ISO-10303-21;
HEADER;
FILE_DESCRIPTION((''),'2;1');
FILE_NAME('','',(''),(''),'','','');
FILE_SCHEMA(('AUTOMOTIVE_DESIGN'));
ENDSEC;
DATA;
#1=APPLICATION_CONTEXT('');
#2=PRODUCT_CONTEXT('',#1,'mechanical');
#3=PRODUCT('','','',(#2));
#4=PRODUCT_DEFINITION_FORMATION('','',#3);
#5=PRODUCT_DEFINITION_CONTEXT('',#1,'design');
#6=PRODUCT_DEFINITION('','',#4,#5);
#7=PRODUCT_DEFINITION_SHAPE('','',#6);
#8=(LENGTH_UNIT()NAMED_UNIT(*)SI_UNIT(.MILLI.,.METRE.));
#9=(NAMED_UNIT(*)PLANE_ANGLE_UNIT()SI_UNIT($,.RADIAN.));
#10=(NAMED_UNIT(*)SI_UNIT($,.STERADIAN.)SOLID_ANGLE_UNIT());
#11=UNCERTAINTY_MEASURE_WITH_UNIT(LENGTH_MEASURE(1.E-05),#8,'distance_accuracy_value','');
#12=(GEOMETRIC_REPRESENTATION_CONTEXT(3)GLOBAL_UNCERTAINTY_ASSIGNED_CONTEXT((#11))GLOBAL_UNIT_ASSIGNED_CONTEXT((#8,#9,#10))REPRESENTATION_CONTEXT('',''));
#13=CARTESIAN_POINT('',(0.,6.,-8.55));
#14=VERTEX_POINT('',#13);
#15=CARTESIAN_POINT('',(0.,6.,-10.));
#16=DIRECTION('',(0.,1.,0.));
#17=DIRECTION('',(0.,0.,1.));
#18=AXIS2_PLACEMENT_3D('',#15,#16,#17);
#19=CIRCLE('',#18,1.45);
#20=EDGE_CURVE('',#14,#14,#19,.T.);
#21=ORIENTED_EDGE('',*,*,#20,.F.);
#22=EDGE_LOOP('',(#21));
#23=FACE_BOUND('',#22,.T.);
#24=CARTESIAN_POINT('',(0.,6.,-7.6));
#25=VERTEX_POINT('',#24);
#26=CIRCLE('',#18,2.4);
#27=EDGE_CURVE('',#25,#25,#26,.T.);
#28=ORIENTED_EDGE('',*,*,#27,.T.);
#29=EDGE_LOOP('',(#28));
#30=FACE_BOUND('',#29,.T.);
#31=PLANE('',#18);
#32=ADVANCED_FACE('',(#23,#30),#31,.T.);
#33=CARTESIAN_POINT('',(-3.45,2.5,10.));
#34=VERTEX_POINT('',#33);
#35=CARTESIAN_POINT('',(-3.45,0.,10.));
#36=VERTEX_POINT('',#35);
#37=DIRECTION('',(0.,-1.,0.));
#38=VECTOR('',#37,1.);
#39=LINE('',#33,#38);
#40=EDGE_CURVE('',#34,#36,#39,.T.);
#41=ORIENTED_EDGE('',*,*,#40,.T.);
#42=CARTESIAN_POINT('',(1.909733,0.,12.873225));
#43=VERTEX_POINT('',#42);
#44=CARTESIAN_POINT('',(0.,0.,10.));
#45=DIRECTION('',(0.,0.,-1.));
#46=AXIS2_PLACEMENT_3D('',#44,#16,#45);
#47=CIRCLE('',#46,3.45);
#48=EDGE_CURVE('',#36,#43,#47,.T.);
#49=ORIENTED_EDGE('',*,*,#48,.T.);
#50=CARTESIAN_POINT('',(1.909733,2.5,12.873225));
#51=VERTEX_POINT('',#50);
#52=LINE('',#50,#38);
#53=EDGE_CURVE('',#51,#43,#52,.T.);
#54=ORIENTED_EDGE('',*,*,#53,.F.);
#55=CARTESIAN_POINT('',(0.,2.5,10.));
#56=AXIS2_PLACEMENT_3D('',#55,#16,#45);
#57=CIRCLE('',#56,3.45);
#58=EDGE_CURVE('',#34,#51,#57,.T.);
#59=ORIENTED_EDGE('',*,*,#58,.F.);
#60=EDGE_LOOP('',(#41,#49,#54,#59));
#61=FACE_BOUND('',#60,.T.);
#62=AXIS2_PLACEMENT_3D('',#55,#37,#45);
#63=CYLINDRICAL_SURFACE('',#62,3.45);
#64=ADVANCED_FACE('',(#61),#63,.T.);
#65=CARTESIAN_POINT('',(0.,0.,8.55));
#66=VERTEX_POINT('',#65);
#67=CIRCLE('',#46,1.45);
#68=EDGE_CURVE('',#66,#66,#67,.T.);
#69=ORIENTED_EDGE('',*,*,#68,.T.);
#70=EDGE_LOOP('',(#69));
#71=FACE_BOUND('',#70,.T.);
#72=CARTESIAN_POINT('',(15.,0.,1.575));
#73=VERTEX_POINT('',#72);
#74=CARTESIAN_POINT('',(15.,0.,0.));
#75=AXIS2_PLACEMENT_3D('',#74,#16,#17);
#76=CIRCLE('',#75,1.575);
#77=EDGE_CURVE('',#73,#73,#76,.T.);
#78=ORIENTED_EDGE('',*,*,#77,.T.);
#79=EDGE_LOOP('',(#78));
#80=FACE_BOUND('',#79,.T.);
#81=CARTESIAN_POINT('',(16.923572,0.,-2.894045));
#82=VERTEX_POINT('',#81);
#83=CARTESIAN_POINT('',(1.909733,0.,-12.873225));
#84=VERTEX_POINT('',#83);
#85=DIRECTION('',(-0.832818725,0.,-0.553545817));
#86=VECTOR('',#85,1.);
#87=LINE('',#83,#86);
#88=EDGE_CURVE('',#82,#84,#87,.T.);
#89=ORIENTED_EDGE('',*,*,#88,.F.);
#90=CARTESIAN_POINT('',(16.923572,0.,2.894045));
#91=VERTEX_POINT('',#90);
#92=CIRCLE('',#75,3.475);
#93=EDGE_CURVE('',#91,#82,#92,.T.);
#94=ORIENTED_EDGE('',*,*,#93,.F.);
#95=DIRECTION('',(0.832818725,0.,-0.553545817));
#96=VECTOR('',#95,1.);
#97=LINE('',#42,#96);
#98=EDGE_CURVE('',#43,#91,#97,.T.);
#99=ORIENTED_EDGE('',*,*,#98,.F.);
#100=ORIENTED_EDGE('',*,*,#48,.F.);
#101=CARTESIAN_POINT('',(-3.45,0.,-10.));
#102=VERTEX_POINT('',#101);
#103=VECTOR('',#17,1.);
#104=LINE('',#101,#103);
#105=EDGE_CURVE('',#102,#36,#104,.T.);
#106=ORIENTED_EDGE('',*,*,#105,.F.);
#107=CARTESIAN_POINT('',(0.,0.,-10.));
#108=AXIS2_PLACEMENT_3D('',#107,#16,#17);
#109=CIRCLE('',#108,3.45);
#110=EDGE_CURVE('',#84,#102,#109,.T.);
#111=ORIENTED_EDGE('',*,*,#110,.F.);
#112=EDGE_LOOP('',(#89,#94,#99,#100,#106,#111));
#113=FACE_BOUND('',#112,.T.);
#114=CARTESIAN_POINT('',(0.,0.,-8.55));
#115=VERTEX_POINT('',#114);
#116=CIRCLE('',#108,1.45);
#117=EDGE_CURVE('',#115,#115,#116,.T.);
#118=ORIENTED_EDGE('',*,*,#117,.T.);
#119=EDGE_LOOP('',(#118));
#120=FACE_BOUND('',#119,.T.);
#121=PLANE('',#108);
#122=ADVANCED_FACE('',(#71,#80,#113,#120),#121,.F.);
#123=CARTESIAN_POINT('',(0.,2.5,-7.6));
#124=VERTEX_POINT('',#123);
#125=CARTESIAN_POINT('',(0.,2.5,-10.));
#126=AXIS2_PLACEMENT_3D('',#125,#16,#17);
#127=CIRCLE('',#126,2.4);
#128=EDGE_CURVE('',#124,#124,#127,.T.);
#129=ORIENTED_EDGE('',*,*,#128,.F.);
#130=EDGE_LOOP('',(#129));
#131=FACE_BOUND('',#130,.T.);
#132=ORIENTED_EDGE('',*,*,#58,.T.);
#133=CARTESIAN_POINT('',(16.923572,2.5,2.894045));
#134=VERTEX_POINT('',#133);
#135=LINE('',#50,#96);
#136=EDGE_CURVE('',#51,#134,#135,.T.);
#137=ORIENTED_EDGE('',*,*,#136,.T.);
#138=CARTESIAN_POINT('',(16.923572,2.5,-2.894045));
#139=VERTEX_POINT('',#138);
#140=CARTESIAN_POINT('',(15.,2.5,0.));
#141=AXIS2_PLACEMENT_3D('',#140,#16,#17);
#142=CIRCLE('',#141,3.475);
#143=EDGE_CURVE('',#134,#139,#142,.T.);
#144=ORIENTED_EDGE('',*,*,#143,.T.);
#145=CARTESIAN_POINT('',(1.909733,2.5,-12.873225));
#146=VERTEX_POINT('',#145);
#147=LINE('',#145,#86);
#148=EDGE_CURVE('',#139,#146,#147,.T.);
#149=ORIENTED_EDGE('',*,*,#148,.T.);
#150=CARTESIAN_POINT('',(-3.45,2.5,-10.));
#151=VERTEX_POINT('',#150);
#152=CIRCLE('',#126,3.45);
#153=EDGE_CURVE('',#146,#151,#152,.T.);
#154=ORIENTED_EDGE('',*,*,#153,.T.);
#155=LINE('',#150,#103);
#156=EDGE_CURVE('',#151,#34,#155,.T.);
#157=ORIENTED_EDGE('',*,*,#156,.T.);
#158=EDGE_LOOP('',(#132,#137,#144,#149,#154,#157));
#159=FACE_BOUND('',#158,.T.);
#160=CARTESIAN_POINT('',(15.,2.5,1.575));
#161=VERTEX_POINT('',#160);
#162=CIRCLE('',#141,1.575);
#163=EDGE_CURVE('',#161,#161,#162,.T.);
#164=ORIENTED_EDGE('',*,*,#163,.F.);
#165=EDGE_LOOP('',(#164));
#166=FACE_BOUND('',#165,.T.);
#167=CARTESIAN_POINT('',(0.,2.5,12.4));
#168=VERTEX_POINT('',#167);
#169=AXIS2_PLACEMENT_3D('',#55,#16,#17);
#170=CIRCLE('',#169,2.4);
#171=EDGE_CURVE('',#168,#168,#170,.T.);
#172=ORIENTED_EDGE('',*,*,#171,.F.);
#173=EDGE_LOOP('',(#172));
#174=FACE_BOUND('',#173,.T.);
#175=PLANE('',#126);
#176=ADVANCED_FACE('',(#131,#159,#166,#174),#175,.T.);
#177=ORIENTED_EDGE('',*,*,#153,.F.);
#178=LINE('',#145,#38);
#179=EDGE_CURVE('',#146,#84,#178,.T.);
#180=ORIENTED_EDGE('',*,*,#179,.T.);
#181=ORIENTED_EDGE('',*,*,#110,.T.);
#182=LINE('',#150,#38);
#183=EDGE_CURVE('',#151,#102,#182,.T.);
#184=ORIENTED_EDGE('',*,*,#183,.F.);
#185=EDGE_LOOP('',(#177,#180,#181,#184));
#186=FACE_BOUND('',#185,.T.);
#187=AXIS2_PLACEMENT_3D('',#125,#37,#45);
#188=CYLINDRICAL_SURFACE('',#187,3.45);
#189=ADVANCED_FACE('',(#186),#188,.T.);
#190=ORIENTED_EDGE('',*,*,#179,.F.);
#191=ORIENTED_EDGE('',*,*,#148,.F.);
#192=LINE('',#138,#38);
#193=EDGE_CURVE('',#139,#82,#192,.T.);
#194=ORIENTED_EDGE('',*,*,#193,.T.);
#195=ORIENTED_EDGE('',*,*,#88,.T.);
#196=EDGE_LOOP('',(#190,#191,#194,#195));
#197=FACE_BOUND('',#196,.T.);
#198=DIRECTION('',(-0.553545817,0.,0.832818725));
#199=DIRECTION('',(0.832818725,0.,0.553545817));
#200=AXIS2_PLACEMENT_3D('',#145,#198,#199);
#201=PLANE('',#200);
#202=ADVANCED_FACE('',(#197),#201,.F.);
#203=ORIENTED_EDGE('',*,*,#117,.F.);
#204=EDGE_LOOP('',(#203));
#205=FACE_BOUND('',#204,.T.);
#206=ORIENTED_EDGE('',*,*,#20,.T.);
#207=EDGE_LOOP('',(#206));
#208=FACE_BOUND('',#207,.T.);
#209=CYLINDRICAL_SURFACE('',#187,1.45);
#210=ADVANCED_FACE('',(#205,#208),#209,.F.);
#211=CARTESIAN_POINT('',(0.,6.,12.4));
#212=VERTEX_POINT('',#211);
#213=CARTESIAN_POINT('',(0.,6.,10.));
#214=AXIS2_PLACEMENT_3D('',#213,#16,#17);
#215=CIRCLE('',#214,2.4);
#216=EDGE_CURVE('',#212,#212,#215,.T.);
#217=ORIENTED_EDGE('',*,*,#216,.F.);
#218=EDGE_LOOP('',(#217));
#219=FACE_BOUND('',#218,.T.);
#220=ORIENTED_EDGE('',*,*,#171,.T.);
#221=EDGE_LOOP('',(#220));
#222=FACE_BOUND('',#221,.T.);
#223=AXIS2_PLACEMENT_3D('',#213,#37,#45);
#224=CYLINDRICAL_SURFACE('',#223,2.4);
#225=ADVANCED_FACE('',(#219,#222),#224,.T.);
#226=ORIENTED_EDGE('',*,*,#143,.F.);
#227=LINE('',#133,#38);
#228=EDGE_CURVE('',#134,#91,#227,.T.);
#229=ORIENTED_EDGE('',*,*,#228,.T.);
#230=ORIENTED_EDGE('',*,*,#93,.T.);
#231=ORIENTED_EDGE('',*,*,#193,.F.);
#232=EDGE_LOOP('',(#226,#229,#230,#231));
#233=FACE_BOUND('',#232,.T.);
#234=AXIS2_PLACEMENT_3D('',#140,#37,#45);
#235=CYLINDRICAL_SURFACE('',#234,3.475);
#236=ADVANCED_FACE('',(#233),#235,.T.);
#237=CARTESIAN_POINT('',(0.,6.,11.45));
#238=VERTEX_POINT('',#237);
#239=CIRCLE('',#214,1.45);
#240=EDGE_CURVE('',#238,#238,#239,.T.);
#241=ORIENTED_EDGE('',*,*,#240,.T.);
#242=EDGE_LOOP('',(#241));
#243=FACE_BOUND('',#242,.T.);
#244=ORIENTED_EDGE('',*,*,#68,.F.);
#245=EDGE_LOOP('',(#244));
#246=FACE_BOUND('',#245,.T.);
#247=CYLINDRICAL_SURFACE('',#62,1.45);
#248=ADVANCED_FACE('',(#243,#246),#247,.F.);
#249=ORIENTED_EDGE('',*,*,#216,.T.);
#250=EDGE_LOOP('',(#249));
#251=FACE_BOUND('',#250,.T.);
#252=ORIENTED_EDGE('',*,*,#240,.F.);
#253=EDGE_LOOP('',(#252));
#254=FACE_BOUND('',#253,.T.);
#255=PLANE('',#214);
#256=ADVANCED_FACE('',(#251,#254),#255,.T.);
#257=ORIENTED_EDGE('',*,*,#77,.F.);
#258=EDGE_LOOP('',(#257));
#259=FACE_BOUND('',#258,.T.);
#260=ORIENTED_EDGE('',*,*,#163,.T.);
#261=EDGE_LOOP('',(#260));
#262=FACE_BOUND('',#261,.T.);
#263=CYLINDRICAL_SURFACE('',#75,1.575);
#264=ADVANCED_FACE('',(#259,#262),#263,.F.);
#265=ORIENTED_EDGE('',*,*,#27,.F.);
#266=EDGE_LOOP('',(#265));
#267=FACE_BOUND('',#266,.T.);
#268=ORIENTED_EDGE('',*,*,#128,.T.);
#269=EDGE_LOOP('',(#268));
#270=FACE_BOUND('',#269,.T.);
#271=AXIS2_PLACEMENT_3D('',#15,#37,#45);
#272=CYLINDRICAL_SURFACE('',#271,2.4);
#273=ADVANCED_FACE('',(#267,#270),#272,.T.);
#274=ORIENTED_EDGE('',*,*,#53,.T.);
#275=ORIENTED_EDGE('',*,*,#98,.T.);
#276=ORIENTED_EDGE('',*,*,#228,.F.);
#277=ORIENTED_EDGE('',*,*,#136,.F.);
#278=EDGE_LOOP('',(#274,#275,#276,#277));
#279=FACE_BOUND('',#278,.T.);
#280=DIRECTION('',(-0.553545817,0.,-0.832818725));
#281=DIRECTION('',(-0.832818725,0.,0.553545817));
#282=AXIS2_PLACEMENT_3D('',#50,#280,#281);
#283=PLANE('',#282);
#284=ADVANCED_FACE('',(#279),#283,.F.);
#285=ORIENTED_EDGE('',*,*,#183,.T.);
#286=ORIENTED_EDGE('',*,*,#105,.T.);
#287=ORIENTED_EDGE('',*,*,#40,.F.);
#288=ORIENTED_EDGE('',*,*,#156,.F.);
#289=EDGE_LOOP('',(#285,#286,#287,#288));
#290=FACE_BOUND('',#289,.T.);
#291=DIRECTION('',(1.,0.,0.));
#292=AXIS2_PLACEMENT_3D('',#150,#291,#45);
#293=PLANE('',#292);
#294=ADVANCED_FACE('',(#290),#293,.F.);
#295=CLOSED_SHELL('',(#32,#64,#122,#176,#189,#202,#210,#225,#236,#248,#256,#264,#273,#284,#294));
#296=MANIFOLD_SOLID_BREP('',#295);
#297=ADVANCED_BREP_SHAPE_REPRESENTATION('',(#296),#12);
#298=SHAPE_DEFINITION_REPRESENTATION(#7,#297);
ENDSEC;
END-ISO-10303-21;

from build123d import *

# Parameters (mm, degrees)
CROQUIS2_R              = 1.45
SALIENTE_EXTRUIR1_DEPTH = 2.5
CROQUIS3_R              = 2.4
CROQUIS3_R_2            = 1.45
SALIENTE_EXTRUIR2_DEPTH = 3.5
CROQUIS4_R              = 1.575
CORTAR_EXTRUIR1_DEPTH   = 24.118782948


with BuildPart() as part:
    # Croquis2 → Saliente-Extruir1 (new body)
    with BuildSketch(Plane(origin=(0, 0, 0), x_dir=(1, 0, 0), z_dir=(0, 1, 0))):
        with BuildLine():
            Line((-3.45, 10), (-3.45, -10))
            ThreePointArc((-3.45, -10), (-1.630018545, -13.040647882), (1.909733068, -12.873224601))
            Line((1.909733068, -12.873224601), (16.923571713, -2.89404507))
            ThreePointArc((16.923571713, -2.89404507), (18.475, 0), (16.923571713, 2.89404507))
            Line((16.923571713, 2.89404507), (1.909733068, 12.873224601))
            ThreePointArc((1.909733068, 12.873224601), (-1.630018545, 13.040647882), (-3.45, 10))
        make_face()
        with Locations(Location((0, 10, 0), (0, 0, 270))):
            Circle(CROQUIS2_R, mode=Mode.SUBTRACT)
        with Locations(Location((0, -10, 0), (0, 0, 90))):
            Circle(CROQUIS2_R, mode=Mode.SUBTRACT)
    extrude(amount=SALIENTE_EXTRUIR1_DEPTH)

    # Croquis3 → Saliente-Extruir2 (add)
    # profile 1 of 2: a face of its own
    with BuildSketch(Plane(origin=(0, 2.5, 0), x_dir=(1, 0, 0), z_dir=(0, 1, 0))):
        with Locations(Location((0, 10, 0), (0, 0, 270))):
            Circle(CROQUIS3_R)
        with Locations(Location((0, 10, 0), (0, 0, 270))):
            Circle(CROQUIS3_R_2, mode=Mode.SUBTRACT)
    # profile 2 of 2: a face of its own
    with BuildSketch(Plane(origin=(0, 2.5, 0), x_dir=(1, 0, 0), z_dir=(0, 1, 0))):
        with Locations(Location((0, -10, 0), (0, 0, 270))):
            Circle(CROQUIS3_R)
        with Locations(Location((0, -10, 0), (0, 0, 90))):
            Circle(CROQUIS3_R_2, mode=Mode.SUBTRACT)
    extrude(amount=SALIENTE_EXTRUIR2_DEPTH)

    # Croquis4 → Cortar-Extruir1 (cut, through all)
    with BuildSketch(Plane(origin=(0, 2.5, 0), x_dir=(1, 0, 0), z_dir=(0, 1, 0))):
        with Locations(Location((15, 0, 0), (0, 0, 270))):
            Circle(CROQUIS4_R)
    extrude(amount=-CORTAR_EXTRUIR1_DEPTH, mode=Mode.SUBTRACT)


solid = part.part
